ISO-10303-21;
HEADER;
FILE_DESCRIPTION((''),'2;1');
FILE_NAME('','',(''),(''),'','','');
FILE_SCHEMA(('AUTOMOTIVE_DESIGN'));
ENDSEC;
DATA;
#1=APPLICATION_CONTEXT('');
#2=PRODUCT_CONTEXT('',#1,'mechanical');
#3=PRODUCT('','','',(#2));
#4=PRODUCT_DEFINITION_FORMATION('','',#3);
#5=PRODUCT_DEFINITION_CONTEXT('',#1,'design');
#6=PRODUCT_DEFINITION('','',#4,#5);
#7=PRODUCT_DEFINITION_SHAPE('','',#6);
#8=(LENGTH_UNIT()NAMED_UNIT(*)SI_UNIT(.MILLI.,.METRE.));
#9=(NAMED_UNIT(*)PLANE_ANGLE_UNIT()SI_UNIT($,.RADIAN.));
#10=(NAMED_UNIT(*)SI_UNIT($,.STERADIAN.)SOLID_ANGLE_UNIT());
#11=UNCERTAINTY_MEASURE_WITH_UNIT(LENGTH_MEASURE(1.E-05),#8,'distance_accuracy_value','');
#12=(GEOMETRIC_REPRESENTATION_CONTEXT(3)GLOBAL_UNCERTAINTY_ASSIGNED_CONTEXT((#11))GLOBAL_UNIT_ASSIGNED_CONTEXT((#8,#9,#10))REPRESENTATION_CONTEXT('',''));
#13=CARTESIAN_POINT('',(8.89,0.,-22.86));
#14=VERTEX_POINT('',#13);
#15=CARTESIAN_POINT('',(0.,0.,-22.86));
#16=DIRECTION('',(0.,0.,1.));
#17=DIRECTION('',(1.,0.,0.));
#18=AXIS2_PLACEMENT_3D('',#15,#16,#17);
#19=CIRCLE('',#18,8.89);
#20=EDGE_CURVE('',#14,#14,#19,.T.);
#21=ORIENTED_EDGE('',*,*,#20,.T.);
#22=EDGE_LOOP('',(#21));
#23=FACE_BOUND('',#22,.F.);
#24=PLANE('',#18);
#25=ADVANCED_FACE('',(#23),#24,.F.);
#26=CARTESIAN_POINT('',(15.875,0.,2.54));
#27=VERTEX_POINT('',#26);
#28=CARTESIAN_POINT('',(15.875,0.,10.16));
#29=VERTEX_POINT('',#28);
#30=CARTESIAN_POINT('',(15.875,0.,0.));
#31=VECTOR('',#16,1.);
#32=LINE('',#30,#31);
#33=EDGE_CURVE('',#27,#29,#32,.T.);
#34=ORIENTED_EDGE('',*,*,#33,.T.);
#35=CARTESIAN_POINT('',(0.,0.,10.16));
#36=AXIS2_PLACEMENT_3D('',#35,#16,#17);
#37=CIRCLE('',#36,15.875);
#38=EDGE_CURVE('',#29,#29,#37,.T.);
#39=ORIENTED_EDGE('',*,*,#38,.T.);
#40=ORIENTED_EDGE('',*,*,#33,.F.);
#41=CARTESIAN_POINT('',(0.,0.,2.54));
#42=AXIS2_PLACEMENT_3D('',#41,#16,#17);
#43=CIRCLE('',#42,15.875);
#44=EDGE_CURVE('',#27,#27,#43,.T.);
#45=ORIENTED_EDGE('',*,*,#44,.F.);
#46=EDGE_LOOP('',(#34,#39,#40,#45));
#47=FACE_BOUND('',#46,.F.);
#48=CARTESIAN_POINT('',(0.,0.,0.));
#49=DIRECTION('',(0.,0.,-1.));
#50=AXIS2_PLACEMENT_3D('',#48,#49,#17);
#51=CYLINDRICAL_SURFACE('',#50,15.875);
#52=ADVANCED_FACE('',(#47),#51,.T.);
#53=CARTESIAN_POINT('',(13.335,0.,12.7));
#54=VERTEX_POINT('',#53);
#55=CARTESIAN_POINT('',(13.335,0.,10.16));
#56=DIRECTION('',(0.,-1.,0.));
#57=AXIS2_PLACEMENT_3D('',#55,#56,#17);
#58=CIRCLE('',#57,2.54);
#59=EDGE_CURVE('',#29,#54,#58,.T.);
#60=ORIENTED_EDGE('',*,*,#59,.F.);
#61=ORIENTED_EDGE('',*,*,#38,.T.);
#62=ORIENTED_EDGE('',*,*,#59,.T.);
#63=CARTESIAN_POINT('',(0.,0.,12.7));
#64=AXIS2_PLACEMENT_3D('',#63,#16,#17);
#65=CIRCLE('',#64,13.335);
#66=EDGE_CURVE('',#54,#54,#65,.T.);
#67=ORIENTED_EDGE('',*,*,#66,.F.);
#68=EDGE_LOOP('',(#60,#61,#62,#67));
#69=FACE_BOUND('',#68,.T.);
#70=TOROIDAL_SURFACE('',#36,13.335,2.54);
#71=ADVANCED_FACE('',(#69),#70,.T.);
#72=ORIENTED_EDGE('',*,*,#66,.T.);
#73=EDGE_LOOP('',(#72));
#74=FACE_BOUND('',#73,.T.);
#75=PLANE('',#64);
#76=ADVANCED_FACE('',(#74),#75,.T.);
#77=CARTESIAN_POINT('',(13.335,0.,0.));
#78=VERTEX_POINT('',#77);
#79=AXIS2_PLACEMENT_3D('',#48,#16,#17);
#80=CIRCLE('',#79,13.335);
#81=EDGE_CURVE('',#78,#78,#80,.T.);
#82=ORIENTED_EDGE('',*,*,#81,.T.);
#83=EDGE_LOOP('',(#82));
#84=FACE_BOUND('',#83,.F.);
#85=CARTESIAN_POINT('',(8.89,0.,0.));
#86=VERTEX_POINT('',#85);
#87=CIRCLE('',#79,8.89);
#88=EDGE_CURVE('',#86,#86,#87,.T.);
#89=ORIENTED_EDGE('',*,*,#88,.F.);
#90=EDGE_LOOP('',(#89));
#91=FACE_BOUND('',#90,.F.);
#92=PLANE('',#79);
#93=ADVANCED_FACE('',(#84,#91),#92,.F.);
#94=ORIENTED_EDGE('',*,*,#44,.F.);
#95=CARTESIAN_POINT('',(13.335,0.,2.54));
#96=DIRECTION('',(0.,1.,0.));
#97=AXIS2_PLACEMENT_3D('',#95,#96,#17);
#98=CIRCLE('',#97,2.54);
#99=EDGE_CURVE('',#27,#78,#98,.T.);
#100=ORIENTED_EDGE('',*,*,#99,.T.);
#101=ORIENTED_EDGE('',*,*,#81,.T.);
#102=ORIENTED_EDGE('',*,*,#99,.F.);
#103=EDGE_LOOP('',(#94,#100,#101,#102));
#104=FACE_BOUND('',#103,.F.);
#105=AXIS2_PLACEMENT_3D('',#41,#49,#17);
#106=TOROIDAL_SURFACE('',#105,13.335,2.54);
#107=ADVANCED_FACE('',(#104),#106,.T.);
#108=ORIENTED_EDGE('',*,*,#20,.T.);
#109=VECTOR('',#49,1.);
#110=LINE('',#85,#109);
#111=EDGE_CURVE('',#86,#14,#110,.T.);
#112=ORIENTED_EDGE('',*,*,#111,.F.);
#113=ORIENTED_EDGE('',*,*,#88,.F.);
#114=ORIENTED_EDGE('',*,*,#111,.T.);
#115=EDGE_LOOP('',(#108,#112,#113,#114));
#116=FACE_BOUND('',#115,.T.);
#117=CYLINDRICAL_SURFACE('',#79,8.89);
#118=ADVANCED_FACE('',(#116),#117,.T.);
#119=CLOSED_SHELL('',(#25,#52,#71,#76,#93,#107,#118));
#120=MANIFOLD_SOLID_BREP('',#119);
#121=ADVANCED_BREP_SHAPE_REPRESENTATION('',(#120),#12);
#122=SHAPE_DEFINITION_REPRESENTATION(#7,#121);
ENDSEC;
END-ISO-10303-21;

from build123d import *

# Parameters (mm, degrees)
F0_R     = 15.875
F1_DEPTH = 12.7
F2_R     = 2.54
F3_R     = 8.89
F4_DEPTH = 22.86


with BuildPart() as f1:
    # F0 (on Top) → F1 (new body)
    with BuildSketch(Plane.XY):
        Circle(F0_R)
    extrude(amount=F1_DEPTH)

    # F2
    f2_edges = [f1.edges().sort_by_distance(p)[0] for p in [
        (-15.875, 0, 12.7),
        (15.875, 0, 6.35),
        (-15.875, 0, 0),
    ]]
    fillet(f2_edges, radius=F2_R)

    # F3 (on Top) → F4 (join)
    with BuildSketch(Plane.XY):
        Circle(F3_R)
    extrude(amount=-F4_DEPTH)


solid = f1.part
